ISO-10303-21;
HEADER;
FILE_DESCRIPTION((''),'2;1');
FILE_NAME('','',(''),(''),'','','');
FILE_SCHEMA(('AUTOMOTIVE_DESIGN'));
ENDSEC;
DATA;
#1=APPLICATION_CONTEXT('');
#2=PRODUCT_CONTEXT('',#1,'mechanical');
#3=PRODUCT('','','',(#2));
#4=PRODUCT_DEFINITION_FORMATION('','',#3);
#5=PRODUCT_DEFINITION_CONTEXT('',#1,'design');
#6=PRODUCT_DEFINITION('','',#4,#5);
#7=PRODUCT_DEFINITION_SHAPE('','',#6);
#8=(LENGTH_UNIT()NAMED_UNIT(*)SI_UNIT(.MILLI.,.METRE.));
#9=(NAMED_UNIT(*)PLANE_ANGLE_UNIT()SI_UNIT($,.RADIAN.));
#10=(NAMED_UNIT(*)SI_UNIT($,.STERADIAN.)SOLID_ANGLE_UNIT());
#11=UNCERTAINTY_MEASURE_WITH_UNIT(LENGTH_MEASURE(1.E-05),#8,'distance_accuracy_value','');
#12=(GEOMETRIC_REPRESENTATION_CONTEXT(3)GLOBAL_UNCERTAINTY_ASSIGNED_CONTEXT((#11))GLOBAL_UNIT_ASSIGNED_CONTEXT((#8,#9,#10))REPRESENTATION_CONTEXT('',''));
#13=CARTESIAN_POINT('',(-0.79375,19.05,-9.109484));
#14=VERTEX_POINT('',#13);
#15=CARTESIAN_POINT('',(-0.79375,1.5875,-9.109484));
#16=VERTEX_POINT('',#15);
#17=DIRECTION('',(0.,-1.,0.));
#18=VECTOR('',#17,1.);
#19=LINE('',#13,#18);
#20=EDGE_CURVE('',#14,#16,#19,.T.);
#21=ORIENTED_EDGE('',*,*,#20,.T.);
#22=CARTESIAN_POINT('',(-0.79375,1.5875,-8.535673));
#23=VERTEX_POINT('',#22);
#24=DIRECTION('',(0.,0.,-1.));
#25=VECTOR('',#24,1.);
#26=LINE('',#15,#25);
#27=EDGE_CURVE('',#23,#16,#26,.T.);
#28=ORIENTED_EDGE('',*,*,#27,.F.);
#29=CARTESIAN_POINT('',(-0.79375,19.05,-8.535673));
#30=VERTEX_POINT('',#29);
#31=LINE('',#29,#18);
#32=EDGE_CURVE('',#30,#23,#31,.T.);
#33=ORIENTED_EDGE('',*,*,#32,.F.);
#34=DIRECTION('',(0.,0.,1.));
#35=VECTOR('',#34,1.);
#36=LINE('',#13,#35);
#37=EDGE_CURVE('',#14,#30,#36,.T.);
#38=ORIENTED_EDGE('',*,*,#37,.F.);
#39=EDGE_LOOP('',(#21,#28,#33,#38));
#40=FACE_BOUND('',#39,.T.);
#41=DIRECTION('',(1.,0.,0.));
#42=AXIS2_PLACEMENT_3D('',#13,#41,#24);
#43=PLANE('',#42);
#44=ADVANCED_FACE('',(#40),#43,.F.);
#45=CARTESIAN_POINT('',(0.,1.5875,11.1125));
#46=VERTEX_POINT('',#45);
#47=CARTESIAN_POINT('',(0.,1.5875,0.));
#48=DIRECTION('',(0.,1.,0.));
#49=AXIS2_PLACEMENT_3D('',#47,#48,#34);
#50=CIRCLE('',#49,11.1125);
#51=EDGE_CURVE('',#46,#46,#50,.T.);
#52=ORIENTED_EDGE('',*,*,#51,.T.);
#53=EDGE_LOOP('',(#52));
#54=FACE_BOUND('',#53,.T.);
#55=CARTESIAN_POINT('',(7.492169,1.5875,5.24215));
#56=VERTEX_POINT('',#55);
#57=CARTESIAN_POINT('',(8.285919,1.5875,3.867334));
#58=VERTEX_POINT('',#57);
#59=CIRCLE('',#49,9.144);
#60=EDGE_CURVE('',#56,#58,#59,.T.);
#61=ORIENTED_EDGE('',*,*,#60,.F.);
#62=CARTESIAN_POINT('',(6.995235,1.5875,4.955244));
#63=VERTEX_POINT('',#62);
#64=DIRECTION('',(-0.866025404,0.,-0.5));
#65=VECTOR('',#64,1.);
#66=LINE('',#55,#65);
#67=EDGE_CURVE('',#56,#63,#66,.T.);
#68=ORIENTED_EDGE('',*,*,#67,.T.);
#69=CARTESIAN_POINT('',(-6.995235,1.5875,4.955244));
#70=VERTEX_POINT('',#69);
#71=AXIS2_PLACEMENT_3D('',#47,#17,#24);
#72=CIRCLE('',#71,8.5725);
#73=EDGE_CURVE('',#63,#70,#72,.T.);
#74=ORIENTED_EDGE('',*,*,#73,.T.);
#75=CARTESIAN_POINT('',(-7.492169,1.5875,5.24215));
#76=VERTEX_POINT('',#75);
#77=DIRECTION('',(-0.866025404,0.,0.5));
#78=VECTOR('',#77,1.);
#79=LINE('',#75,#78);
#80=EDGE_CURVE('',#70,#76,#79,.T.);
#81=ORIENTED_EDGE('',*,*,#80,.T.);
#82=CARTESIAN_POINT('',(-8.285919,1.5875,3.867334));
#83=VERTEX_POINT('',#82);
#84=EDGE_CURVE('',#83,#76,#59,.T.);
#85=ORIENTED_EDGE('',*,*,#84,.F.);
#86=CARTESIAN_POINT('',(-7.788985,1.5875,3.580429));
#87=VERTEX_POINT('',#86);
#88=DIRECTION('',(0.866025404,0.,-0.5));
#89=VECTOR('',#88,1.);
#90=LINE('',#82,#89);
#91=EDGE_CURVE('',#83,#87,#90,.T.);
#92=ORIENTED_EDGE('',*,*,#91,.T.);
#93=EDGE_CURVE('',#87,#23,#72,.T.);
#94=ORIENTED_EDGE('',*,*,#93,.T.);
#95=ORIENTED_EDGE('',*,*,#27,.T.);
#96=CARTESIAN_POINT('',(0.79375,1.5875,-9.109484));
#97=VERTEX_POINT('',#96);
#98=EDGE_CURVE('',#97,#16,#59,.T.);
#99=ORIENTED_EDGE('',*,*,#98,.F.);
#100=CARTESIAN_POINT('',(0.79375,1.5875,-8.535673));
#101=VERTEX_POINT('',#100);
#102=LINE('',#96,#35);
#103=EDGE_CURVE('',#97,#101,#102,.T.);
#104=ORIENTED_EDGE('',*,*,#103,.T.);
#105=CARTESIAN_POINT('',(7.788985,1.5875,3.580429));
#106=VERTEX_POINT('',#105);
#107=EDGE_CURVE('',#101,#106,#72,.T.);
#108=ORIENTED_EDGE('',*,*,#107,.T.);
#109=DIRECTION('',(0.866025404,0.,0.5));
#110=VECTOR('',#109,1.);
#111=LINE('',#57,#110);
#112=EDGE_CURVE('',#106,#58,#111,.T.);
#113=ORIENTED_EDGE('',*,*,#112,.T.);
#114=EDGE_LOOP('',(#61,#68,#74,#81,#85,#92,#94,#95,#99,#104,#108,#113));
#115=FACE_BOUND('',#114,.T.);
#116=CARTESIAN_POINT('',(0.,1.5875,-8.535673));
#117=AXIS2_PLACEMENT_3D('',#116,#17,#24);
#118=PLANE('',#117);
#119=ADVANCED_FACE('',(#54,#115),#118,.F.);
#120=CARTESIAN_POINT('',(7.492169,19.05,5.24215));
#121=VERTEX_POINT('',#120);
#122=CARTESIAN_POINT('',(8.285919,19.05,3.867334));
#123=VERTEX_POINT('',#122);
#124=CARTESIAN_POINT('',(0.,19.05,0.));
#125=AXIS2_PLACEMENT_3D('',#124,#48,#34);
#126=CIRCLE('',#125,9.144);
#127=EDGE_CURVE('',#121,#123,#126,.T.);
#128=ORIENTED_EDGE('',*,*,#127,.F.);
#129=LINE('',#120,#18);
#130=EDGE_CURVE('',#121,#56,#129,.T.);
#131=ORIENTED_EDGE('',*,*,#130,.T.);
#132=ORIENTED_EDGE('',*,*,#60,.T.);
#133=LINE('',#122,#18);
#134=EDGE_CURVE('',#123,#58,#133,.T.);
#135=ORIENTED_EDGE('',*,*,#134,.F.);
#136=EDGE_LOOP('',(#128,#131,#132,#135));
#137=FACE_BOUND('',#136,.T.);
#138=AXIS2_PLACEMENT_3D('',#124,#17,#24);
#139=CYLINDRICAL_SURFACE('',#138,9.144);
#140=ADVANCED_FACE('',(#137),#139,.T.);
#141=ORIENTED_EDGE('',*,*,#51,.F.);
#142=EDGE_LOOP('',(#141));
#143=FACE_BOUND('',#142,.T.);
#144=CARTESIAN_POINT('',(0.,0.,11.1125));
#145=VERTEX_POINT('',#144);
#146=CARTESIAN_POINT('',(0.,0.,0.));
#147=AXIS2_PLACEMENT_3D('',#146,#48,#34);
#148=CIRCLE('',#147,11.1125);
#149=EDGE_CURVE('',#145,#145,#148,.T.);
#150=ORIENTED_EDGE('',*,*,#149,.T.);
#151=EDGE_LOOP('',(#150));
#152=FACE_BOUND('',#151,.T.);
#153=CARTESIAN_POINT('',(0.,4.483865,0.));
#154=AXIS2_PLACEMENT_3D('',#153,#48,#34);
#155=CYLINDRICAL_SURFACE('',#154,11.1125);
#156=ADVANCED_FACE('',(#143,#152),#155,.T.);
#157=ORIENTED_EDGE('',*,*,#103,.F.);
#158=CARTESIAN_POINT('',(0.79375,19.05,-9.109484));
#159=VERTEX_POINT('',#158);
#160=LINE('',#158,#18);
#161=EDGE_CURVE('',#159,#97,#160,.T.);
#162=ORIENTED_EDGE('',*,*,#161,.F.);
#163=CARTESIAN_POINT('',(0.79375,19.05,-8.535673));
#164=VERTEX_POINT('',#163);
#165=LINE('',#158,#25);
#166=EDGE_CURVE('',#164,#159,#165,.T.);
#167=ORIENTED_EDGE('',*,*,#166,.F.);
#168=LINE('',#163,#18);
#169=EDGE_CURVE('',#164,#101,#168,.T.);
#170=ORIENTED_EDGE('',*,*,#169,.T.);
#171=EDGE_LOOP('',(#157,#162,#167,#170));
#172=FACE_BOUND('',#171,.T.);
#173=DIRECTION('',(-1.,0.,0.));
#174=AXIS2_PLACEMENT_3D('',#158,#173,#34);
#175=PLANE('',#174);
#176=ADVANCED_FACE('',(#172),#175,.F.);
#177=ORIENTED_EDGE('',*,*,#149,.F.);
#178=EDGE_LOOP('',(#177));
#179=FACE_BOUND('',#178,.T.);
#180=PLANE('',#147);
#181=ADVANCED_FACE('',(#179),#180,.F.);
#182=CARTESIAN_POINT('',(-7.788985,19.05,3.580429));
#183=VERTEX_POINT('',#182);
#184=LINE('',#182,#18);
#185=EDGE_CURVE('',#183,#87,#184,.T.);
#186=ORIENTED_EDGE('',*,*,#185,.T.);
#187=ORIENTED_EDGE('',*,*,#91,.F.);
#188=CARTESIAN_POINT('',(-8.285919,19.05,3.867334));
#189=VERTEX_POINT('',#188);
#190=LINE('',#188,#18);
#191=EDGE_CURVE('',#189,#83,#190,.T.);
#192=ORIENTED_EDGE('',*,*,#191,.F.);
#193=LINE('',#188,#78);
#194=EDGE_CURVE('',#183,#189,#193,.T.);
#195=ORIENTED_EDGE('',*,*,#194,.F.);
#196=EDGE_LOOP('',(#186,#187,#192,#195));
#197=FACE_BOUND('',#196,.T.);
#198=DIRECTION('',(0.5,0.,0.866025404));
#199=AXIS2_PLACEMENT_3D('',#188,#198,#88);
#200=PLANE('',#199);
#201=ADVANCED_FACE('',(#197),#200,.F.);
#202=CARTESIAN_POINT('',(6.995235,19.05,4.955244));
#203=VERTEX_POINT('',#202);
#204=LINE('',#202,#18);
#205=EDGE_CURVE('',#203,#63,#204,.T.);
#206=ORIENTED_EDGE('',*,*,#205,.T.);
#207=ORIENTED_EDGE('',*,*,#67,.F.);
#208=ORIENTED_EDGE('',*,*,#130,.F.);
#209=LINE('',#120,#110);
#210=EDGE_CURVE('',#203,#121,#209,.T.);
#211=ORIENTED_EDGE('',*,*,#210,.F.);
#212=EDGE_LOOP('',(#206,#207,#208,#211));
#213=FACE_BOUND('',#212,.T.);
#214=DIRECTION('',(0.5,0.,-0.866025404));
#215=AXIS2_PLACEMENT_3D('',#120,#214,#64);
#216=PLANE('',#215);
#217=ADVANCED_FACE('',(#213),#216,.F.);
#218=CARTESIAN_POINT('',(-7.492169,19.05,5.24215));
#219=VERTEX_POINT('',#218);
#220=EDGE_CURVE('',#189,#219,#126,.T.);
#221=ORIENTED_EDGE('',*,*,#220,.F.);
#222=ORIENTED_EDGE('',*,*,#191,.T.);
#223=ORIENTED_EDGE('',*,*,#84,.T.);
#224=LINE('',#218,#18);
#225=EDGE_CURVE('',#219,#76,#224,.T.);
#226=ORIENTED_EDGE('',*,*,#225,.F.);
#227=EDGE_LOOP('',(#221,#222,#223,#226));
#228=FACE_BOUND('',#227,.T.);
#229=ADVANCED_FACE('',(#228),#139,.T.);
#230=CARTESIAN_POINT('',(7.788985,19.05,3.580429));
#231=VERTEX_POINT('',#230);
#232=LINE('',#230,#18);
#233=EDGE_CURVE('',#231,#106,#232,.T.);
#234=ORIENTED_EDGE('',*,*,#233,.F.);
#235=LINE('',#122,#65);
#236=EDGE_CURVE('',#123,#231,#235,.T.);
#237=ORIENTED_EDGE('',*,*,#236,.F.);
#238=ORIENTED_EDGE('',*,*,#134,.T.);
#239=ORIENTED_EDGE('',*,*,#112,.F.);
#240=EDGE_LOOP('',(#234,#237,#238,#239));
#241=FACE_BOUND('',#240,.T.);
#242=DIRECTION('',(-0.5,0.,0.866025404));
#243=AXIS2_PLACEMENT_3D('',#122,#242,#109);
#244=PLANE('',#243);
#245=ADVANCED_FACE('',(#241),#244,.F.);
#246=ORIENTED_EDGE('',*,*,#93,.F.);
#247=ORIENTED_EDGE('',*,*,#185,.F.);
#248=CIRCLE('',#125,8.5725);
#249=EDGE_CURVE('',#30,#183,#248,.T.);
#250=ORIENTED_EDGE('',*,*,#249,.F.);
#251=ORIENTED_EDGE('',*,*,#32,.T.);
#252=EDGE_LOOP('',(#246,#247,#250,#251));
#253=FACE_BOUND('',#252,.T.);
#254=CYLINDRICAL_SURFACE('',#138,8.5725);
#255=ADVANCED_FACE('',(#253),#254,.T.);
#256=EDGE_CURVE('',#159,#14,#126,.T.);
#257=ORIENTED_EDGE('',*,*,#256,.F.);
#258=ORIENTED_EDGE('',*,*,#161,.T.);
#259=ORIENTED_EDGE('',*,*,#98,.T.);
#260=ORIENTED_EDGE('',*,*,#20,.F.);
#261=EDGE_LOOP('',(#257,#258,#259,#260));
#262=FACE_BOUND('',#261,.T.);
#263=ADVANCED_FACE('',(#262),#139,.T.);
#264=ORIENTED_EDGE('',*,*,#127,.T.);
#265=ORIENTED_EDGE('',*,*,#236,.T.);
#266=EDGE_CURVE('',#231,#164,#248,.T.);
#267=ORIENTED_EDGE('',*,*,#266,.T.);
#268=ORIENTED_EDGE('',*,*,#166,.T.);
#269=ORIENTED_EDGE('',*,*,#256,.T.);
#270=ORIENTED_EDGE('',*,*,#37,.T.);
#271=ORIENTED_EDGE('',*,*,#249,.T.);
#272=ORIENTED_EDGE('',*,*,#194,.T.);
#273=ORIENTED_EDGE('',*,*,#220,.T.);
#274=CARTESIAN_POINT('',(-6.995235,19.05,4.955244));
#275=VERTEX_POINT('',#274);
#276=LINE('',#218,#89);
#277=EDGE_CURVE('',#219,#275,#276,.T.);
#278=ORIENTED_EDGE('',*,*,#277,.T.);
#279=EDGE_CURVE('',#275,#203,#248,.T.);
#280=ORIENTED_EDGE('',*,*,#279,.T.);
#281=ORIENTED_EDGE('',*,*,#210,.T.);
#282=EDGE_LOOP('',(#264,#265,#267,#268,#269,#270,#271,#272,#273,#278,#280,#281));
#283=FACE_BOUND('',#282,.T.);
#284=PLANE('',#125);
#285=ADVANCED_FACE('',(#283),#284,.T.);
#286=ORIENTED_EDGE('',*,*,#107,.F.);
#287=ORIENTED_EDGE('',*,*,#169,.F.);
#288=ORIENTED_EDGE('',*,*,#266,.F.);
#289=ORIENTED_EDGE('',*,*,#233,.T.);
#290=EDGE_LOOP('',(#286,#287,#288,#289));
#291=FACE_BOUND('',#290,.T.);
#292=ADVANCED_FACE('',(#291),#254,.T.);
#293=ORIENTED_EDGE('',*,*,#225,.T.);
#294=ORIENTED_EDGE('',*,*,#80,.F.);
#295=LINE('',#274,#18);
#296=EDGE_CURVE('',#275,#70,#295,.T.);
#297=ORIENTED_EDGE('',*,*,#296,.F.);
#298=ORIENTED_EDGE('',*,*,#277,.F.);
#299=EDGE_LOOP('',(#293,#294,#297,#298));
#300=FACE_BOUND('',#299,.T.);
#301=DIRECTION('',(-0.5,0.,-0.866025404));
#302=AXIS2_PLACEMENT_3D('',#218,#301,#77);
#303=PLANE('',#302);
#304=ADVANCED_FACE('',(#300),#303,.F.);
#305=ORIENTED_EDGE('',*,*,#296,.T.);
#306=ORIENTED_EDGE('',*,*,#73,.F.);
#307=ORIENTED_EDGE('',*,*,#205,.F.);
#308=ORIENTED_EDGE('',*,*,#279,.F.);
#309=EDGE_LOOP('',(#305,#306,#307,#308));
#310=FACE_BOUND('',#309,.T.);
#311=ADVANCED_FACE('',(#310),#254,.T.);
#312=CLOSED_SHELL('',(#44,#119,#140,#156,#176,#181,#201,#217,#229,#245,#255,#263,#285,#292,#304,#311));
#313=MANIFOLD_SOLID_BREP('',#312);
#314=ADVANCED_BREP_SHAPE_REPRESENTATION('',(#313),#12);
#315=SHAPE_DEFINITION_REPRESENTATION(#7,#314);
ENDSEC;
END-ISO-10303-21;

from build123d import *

# Parameters (mm, degrees)
BOSS_EXTRUDE1_DEPTH = 19.05
SKETCH6_W           = 0.608326788
SKETCH6_H           = 1.5875
SKETCH8_W           = 2.576826788
SKETCH8_H           = 1.5875


with BuildPart() as part:
    # Sketch1 → Boss-Extrude1 (new body)
    with BuildSketch(Plane(origin=(0, 0, 0), x_dir=(1, 0, 0), z_dir=(0, 1, 0))):
        with BuildLine():
            Line((-0.79375, 9.109483901), (-0.79375, 8.535673212))
            ThreePointArc((-0.79375, 8.535673212), (-7.424002774, 4.28625), (-7.78898484, -3.580428942))
            Line((-7.78898484, -3.580428942), (-8.285919473, -3.867334286))
            ThreePointArc((-8.285919473, -3.867334286), (-7.918936292, -4.572), (-7.492169473, -5.242149615))
            Line((-7.492169473, -5.242149615), (-6.99523484, -4.95524427))
            ThreePointArc((-6.99523484, -4.95524427), (0, -8.5725), (6.99523484, -4.95524427))
            Line((6.99523484, -4.95524427), (7.492169473, -5.242149615))
            ThreePointArc((7.492169473, -5.242149615), (7.918936292, -4.572), (8.285919473, -3.867334286))
            Line((8.285919473, -3.867334286), (7.78898484, -3.580428942))
            ThreePointArc((7.78898484, -3.580428942), (7.424002774, 4.28625), (0.79375, 8.535673212))
            Line((0.79375, 8.535673212), (0.79375, 9.109483901))
            ThreePointArc((0.79375, 9.109483901), (0, 9.144), (-0.79375, 9.109483901))
        make_face()
    extrude(amount=BOSS_EXTRUDE1_DEPTH)

    # Sketch6 → Cut-Revolve2 (revolve, cut)
    with BuildSketch(Plane(origin=(0, 0, 0), x_dir=(0, 0, -1), z_dir=(1, 0, 0))):
        with Locations((8.839836606, 0.79375)):
            Rectangle(SKETCH6_W, SKETCH6_H)
    revolve(axis=Axis((0, 19.730213777, 0), (0, -1, 0)), mode=Mode.SUBTRACT)

    # Sketch8 → Revolve2 (revolve)
    with BuildSketch(Plane(origin=(0, 0, 0), x_dir=(0, 0, -1), z_dir=(1, 0, 0))):
        with Locations((9.824086606, 0.79375)):
            Rectangle(SKETCH8_W, SKETCH8_H)
    revolve(axis=Axis((0, 4.48386458, 0), (0, -1, 0)))


solid = part.part
